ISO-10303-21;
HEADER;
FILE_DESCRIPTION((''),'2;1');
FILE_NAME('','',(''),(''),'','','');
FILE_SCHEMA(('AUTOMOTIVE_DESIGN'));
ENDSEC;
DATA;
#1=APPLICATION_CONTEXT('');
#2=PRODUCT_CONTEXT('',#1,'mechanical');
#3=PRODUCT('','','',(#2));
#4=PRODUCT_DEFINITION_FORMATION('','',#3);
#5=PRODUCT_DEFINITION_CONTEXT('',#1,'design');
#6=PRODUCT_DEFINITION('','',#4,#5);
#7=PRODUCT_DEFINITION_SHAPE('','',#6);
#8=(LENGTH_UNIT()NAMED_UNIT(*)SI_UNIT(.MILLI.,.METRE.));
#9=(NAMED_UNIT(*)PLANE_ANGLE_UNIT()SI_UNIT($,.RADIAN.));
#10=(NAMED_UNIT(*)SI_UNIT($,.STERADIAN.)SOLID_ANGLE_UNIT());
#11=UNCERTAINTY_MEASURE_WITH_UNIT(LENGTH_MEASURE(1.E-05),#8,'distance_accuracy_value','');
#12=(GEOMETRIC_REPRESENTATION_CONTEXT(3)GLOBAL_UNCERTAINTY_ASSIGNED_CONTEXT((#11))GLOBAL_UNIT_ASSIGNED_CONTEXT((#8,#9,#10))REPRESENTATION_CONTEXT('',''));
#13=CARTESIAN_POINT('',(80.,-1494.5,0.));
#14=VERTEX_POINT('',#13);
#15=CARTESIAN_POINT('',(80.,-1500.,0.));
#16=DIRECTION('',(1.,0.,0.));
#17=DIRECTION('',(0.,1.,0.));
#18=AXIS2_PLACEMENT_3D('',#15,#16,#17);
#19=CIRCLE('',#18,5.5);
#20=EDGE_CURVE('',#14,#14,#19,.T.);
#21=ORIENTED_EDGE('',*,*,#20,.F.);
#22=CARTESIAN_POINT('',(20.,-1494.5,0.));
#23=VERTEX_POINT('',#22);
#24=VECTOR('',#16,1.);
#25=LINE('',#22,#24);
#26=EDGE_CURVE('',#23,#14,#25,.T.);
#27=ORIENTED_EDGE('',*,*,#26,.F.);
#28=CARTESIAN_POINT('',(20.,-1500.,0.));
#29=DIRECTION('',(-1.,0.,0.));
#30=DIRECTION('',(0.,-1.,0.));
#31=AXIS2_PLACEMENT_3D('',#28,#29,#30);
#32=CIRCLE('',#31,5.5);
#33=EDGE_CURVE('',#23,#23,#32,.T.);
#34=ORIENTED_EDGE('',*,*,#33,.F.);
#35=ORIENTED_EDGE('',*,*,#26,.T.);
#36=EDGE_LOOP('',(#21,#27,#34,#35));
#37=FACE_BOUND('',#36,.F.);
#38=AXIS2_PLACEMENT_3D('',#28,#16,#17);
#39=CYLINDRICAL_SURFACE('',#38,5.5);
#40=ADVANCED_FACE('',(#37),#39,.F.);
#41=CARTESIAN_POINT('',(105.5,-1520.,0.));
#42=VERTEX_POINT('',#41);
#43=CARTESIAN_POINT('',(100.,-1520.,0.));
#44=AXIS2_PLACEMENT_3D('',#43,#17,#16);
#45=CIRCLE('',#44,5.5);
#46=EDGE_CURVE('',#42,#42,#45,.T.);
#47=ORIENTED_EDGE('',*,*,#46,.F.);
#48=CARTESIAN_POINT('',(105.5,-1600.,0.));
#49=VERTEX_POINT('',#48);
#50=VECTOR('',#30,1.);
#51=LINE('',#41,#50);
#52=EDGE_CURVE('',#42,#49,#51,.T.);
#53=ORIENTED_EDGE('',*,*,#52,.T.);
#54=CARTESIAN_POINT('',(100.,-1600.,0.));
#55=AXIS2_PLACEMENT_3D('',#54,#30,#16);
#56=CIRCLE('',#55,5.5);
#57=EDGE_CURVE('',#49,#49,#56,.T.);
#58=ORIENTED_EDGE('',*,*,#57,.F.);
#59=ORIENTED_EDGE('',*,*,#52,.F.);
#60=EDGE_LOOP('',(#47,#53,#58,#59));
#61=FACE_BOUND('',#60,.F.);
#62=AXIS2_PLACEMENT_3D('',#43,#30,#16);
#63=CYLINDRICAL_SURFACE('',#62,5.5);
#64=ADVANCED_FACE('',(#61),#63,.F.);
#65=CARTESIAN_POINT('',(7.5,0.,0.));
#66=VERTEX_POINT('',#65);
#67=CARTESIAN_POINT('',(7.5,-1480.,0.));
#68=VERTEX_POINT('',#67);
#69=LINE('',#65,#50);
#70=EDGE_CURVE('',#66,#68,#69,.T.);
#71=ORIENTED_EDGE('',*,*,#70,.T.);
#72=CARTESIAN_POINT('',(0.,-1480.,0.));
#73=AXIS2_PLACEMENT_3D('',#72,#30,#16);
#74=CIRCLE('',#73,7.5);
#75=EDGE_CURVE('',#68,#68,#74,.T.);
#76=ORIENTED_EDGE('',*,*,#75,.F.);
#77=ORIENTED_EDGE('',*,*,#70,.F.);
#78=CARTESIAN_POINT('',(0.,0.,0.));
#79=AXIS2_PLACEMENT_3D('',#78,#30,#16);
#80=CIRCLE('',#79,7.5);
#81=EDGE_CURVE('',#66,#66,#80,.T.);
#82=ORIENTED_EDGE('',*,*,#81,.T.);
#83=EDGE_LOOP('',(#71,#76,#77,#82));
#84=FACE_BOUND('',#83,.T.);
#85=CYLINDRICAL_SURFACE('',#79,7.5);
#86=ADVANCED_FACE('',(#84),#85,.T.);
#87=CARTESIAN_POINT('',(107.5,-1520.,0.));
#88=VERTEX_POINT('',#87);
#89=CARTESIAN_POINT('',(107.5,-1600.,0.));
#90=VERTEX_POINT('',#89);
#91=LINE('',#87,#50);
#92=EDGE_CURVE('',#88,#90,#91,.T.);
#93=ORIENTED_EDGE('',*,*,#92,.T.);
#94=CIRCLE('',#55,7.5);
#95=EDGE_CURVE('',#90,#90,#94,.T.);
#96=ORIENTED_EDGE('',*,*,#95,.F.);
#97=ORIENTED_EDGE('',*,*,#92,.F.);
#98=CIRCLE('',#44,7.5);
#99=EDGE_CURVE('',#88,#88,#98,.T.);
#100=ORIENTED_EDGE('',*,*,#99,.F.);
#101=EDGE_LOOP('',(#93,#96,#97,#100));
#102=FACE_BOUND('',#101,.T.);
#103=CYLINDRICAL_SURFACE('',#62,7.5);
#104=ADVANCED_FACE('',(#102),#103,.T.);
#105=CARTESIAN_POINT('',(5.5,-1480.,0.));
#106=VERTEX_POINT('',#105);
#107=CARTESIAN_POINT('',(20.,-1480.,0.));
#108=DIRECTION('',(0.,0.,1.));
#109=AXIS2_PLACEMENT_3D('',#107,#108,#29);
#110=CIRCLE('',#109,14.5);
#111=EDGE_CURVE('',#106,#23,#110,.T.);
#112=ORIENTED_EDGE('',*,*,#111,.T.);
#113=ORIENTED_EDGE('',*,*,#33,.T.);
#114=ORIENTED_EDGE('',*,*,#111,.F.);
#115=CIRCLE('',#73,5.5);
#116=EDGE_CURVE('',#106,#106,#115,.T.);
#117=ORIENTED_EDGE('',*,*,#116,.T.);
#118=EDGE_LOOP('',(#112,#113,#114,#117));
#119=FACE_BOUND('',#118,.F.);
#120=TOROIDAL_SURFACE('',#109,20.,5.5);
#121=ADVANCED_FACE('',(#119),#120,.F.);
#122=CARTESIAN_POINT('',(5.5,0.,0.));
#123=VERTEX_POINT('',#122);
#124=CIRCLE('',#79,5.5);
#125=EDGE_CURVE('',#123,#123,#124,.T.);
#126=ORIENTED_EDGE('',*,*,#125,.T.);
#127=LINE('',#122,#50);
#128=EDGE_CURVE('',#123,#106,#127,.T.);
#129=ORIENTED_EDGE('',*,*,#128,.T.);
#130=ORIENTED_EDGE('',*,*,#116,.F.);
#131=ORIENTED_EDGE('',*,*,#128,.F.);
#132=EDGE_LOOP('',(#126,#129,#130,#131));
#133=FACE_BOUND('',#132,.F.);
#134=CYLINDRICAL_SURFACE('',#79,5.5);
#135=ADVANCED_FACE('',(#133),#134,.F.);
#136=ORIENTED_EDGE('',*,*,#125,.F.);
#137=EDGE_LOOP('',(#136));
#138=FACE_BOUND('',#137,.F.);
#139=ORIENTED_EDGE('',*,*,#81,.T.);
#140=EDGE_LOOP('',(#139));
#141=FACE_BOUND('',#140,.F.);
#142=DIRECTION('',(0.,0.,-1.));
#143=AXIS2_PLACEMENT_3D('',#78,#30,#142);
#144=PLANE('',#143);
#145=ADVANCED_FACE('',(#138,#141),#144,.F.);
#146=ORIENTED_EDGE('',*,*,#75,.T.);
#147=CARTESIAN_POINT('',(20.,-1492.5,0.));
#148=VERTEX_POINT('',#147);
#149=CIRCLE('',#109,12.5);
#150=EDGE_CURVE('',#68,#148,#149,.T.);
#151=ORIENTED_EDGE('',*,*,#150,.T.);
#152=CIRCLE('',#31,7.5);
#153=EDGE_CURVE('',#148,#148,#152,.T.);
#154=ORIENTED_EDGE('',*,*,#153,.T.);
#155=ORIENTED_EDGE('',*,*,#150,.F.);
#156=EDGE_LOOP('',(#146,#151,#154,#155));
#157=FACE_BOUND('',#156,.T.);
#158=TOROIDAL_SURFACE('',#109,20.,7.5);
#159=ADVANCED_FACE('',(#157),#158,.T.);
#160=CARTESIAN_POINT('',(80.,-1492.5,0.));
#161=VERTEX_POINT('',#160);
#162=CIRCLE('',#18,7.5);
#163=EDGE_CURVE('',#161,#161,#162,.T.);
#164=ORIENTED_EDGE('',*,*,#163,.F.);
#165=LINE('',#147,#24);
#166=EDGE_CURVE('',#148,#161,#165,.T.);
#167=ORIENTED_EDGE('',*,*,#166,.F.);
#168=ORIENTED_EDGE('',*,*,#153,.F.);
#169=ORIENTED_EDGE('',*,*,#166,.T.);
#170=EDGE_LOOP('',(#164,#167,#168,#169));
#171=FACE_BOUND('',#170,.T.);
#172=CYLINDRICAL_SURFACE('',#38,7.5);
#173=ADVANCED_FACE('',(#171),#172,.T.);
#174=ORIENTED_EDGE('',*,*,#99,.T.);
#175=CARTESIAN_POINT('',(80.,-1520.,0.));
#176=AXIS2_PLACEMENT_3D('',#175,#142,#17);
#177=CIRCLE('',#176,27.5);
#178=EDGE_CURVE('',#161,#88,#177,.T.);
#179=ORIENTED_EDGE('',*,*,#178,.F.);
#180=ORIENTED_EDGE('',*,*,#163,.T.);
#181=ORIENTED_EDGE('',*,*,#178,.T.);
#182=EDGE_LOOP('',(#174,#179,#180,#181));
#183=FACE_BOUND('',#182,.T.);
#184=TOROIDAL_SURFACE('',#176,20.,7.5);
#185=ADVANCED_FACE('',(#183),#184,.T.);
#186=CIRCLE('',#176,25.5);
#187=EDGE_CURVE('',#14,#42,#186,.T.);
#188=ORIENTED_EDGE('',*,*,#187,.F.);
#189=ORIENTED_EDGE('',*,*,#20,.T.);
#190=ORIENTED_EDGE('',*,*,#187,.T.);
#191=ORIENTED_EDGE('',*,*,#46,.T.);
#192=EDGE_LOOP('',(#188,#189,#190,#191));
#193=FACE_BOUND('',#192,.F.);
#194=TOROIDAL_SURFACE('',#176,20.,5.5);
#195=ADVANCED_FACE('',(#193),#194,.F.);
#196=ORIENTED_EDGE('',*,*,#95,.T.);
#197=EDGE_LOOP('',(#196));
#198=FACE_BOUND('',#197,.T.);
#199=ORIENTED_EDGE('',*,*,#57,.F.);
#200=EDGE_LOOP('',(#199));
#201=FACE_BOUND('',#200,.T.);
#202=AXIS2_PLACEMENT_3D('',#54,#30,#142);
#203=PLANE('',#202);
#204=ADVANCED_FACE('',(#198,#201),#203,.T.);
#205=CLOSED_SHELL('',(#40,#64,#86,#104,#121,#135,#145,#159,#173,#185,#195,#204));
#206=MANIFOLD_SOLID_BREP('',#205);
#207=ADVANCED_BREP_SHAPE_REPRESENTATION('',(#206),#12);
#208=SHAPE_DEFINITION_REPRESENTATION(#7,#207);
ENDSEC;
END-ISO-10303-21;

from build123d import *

# Parameters (mm, degrees)
F0_R   = 7.5
F0_R_2 = 5.5


with BuildPart() as f2:
    # F2: sweep along a path in F1
    with BuildLine(Plane.XY) as f2_path:
        Line((0, 0), (0, -1480))
        ThreePointArc((0, -1480), (5.8578643763, -1494.1421356237), (20, -1500))
        Line((20, -1500), (80, -1500))
        ThreePointArc((80, -1500), (94.1421356237, -1505.8578643763), (100, -1520))
        Line((100, -1520), (100, -1600))
    # F0 (on Front) → F2 (sweep)
    with BuildSketch(Plane.XZ):
        Circle(F0_R)
        Circle(F0_R_2, mode=Mode.SUBTRACT)
    sweep(path=f2_path.line)


solid = f2.part
